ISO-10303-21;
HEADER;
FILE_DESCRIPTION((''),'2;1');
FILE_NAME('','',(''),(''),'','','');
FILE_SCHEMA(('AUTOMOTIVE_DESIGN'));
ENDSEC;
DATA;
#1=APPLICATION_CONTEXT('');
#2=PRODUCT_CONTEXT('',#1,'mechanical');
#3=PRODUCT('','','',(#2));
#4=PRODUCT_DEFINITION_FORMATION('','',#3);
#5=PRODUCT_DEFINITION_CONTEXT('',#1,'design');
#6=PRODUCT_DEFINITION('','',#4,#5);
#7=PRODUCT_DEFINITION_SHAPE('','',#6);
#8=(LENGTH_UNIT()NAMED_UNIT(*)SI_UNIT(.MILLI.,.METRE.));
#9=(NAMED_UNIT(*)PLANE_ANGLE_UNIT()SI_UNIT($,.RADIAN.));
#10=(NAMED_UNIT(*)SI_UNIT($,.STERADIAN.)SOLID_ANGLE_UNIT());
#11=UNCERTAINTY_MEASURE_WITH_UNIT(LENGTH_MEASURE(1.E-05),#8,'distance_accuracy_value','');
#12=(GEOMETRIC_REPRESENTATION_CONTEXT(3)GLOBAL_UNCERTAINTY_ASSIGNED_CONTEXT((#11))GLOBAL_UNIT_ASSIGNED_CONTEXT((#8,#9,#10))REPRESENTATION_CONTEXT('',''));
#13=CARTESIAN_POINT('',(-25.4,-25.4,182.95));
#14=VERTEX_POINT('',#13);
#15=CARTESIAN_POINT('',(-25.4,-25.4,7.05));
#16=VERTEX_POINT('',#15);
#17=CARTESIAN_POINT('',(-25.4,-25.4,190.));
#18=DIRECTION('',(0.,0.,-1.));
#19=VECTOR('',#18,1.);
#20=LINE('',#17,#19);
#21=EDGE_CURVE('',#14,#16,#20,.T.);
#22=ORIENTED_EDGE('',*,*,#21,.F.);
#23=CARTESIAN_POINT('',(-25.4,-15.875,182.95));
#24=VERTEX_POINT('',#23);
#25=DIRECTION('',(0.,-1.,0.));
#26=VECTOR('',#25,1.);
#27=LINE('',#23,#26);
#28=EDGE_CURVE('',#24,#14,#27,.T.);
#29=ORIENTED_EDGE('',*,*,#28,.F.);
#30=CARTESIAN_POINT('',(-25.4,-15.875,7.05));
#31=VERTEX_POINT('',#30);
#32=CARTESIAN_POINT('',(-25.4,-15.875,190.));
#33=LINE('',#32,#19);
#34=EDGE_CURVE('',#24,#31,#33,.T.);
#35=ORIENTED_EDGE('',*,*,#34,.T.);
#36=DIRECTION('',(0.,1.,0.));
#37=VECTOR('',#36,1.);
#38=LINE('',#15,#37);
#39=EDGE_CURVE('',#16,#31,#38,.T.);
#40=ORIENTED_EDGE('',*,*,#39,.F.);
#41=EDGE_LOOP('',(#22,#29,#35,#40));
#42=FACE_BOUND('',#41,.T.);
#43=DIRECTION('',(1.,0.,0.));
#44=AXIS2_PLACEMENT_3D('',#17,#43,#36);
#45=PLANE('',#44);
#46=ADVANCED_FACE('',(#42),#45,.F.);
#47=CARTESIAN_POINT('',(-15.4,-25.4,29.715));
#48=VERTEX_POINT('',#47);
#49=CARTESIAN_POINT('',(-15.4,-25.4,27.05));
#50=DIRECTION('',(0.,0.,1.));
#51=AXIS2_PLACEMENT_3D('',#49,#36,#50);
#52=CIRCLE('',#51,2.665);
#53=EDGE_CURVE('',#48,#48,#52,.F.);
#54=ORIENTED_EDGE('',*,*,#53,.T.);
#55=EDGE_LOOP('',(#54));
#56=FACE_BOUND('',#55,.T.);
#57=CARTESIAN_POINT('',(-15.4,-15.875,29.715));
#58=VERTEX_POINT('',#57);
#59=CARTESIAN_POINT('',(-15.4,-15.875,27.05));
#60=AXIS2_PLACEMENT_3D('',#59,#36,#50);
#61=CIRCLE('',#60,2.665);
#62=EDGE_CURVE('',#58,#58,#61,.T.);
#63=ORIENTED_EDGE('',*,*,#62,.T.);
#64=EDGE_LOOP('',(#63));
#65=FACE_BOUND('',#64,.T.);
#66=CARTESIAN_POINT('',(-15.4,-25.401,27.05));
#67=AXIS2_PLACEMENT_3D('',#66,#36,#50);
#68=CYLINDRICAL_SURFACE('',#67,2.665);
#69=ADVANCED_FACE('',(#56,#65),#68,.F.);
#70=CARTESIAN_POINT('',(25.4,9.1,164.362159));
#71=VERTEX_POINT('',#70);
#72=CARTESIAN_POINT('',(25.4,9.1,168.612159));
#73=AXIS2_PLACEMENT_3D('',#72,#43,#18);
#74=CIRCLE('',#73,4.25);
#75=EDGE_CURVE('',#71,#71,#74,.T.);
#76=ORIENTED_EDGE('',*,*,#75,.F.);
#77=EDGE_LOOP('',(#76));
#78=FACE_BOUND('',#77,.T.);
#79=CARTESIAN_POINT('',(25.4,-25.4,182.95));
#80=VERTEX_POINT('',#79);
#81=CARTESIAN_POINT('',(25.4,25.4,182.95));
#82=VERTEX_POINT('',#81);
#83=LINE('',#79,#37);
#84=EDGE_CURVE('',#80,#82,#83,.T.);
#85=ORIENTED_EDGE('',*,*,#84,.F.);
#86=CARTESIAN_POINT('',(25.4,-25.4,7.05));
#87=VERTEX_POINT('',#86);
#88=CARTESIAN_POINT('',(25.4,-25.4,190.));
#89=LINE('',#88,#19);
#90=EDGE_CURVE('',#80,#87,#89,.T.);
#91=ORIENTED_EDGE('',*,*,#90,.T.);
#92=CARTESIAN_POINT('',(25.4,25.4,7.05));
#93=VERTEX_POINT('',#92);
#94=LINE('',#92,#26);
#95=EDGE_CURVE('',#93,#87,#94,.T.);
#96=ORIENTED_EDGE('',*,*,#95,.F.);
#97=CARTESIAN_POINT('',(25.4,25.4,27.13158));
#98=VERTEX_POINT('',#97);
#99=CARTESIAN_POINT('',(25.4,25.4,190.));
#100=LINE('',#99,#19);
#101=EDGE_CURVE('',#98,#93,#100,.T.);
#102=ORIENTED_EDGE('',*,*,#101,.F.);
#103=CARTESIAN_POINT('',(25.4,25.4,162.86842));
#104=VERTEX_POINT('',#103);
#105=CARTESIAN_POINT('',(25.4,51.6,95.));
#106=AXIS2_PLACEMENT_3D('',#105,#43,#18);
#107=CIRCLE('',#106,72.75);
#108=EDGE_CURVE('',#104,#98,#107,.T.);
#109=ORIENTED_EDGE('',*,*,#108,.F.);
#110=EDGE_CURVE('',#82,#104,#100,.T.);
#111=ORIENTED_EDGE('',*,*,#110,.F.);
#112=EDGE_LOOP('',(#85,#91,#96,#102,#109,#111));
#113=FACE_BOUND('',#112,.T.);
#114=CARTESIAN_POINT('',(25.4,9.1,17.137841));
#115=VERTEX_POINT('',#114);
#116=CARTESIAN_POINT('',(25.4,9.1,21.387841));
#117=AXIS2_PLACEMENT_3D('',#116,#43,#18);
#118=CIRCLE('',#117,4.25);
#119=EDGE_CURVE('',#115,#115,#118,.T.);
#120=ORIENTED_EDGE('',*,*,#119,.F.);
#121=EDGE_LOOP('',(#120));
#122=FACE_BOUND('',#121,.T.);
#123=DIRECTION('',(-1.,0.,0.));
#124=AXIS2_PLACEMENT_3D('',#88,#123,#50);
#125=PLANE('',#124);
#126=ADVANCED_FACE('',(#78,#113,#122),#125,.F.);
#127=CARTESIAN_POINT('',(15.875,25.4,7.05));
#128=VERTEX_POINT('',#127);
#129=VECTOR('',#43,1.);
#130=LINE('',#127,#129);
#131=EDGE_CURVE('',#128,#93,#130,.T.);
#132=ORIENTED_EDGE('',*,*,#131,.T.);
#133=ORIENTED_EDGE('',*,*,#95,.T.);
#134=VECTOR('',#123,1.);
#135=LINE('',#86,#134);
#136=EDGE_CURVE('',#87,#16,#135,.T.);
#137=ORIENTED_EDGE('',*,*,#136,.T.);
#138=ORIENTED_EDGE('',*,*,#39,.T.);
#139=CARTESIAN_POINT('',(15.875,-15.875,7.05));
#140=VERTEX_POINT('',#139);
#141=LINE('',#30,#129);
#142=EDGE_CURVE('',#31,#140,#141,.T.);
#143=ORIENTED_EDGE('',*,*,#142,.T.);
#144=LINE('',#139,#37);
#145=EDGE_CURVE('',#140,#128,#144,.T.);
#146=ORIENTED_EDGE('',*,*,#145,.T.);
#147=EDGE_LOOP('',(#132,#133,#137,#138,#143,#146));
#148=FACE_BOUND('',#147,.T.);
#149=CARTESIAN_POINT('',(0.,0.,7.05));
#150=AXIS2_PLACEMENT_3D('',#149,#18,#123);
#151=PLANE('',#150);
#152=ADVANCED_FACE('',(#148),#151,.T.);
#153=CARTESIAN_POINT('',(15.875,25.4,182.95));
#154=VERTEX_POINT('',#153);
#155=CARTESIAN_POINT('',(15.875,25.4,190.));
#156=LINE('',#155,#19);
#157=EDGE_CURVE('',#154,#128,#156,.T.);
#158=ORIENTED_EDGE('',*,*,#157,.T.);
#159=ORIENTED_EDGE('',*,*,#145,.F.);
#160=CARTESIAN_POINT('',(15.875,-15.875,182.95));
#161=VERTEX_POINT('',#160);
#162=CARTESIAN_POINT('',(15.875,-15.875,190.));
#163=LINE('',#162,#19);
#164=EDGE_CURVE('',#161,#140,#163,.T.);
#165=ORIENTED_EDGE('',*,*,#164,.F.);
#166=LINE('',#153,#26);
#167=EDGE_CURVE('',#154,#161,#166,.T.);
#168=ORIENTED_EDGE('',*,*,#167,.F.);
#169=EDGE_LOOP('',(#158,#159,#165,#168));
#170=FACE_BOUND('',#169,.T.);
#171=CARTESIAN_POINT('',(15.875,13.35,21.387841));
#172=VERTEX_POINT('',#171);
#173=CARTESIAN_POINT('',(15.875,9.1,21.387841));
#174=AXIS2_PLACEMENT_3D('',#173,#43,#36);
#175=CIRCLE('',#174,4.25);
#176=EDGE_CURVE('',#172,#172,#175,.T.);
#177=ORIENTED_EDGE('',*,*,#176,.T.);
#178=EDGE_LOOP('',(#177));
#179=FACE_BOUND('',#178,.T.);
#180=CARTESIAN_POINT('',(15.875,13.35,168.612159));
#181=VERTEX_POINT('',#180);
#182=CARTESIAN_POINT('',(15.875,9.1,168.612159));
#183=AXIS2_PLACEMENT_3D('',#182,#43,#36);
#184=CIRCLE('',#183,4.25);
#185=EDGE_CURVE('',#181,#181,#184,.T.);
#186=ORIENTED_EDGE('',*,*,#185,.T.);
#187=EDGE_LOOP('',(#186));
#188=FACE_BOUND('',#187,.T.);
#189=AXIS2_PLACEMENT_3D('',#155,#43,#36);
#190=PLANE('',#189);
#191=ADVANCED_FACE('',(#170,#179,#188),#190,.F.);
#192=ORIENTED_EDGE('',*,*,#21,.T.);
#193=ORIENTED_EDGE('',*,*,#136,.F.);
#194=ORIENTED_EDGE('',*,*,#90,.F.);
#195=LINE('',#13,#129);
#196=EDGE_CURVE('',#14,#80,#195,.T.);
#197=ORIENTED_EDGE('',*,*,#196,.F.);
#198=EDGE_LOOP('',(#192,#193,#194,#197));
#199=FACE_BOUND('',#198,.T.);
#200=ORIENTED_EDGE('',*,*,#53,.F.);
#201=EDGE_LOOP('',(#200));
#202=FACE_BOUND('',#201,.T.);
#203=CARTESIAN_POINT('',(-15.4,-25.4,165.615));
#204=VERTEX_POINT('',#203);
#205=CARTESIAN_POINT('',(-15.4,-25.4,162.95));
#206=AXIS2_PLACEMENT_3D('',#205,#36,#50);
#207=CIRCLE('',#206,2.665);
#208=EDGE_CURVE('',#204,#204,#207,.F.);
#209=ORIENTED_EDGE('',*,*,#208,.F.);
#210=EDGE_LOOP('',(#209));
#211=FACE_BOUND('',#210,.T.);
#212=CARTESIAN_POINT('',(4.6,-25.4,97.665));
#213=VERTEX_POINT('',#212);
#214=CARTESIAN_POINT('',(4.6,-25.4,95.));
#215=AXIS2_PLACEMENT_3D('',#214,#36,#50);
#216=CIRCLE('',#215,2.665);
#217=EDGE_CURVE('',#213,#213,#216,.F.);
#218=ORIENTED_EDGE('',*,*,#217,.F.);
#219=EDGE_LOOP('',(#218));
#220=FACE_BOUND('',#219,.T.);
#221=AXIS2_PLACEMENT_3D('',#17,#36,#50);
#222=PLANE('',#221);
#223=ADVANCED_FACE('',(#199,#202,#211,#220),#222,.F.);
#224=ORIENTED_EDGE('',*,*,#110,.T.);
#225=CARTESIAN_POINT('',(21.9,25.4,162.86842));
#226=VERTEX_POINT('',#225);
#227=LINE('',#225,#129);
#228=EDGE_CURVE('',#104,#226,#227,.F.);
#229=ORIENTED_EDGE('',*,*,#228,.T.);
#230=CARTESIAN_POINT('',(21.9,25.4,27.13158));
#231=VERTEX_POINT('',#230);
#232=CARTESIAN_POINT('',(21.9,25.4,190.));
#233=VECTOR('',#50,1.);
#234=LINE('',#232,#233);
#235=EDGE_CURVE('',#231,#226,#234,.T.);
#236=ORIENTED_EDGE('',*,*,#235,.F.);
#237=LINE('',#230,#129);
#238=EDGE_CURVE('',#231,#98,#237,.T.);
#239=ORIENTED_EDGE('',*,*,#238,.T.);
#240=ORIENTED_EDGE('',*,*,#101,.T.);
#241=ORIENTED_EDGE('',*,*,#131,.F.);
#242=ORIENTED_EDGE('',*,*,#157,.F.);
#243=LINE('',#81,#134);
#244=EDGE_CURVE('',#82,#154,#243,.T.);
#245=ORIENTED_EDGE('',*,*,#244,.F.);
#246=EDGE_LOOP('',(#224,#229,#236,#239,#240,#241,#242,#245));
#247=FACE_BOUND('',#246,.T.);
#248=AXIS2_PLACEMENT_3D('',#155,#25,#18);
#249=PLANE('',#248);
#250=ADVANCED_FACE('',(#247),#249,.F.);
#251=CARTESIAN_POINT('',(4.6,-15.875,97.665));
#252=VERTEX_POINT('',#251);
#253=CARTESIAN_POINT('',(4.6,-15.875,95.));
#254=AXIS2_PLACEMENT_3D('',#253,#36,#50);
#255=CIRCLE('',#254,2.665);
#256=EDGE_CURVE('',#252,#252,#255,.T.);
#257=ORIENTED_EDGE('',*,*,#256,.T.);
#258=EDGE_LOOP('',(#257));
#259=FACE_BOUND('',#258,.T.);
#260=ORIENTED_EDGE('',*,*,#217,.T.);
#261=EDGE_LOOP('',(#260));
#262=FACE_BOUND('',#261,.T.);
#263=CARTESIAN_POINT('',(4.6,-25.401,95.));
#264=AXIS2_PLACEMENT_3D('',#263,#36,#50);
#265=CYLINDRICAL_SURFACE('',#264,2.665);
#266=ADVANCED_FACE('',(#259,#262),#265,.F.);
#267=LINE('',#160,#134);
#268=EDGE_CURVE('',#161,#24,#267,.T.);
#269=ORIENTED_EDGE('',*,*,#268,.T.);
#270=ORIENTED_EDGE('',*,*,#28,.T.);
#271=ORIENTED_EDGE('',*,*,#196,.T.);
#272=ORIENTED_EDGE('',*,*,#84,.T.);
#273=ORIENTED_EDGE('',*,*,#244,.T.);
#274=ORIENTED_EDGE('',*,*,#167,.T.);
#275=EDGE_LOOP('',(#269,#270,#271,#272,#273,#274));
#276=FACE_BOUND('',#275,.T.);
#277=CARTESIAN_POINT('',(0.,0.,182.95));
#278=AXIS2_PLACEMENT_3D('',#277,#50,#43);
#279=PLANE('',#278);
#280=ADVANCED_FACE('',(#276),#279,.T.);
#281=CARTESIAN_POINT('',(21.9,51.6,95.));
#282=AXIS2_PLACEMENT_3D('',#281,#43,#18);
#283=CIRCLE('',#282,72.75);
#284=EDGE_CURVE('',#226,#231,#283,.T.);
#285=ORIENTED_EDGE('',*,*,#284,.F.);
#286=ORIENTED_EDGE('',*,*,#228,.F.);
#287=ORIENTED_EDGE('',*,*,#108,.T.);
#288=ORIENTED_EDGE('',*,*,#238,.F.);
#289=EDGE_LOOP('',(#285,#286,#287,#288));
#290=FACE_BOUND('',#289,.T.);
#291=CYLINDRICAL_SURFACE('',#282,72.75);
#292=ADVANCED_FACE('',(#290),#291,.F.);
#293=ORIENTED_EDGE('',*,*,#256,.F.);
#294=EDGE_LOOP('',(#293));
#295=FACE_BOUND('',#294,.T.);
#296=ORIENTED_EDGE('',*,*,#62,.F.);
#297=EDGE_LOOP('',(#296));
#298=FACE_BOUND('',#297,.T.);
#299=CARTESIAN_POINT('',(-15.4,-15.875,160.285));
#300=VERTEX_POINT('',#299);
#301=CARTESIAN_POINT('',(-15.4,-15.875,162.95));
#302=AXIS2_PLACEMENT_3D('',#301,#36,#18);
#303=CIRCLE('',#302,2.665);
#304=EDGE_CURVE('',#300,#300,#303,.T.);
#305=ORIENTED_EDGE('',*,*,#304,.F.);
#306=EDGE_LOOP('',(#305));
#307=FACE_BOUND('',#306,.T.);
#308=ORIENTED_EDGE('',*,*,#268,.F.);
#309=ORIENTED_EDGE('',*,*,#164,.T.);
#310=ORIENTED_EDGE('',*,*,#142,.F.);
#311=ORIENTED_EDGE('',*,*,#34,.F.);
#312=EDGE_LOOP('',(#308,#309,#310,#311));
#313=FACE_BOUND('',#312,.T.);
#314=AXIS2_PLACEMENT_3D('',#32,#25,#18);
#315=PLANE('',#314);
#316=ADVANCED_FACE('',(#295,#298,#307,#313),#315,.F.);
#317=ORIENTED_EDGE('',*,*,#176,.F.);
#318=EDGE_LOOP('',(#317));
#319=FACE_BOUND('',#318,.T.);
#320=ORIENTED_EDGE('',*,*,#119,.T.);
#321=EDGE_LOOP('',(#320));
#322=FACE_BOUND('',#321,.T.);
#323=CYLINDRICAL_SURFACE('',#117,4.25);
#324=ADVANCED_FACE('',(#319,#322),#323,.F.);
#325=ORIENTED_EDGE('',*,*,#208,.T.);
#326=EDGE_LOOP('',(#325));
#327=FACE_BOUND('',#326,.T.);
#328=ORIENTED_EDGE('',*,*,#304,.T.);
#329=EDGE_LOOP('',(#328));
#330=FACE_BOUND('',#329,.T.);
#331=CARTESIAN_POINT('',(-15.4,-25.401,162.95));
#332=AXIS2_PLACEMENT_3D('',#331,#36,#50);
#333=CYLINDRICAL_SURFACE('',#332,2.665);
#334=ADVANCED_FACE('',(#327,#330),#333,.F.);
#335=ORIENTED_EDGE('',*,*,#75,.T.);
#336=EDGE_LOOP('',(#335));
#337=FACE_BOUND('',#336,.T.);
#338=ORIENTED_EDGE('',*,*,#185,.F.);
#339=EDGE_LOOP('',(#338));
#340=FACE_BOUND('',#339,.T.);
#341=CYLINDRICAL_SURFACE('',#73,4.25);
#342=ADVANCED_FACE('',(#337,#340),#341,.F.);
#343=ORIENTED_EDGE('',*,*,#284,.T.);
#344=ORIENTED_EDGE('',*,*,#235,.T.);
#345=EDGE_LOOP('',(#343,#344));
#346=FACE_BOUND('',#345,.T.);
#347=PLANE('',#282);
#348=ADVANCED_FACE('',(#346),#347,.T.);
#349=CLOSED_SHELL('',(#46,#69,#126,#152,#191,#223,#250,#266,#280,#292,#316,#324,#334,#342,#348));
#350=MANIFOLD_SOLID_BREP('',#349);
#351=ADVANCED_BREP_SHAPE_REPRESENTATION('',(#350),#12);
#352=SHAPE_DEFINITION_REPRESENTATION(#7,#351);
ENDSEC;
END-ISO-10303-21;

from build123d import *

# Parameters (mm, degrees)
BOSS_EXTRUDE1_DEPTH          = 190
SKETCH3_R                    = 72.75
CUT_EXTRUDE3_DEPTH           = 3.5
CUT_EXTRUDE4_DEPTH           = 7.05
CUT_EXTRUDE5_DEPTH           = 7.05
TAP_DRILL_FOR_M10X1_5_TAP1_D = 8.5
CUT_EXTRUDE6_REACH           = 191.26
SKETCH8_R                    = 2.665


with BuildPart() as part:
    # Sketch1 → Boss-Extrude1 (new body)
    with BuildSketch(Plane.XY):
        Polygon((-25.4, -25.4), (25.4, -25.4), (25.4, 25.4), (15.875, 25.4), (15.875, -15.875), (-25.4, -15.875), align=None)
    extrude(amount=BOSS_EXTRUDE1_DEPTH)

    # Sketch3 → Cut-Extrude3 (cut)
    with BuildSketch(Plane(origin=(25.4, 0, 0), x_dir=(0, 0, -1), z_dir=(1, 0, 0))):
        with Locations((-95, 51.6)):
            Circle(SKETCH3_R)
    extrude(amount=-CUT_EXTRUDE3_DEPTH, mode=Mode.SUBTRACT)

    # Sketch4 → Cut-Extrude4 (cut)
    with BuildSketch(Plane.XY.offset(190)):
        Polygon((25.4, -25.4), (25.4, 25.4), (15.875, 25.4), (15.875, -15.875), (-25.4, -15.875), (-25.4, -25.4), align=None)
    extrude(amount=-CUT_EXTRUDE4_DEPTH, mode=Mode.SUBTRACT)

    # Sketch5 → Cut-Extrude5 (cut)
    with BuildSketch(Plane(origin=(0, 0, 0), x_dir=(-1, 0, 0), z_dir=(0, 0, -1))):
        Polygon((-25.4, 25.4), (-25.4, -25.4), (25.4, -25.4), (25.4, -15.875), (-15.875, -15.875), (-15.875, 25.4), align=None)
    extrude(amount=-CUT_EXTRUDE5_DEPTH, mode=Mode.SUBTRACT)

    # Tap Drill for M10x1.5 Tap1 (through all)
    with Locations(Plane(origin=(25.4, 9.1, 168.612159322), x_dir=(0, 0, 1), z_dir=(1, 0, 0))):
        with Locations((0, 0), (-147.224318644, 0)):
            Hole(TAP_DRILL_FOR_M10X1_5_TAP1_D / 2)

    # Sketch8 → Cut-Extrude6 (cut, up to next)
    with BuildSketch(Plane(origin=(0, -15.875, 0), x_dir=(1, 0, 0), z_dir=(0, 1, 0)), mode=Mode.PRIVATE) as cut_extrude6_sk1:
        with Locations(Location((-15.4, -27.05, 0), (0, 0, 270))):
            Circle(SKETCH8_R)
    cut_extrude6_tool1 = extrude(cut_extrude6_sk1.sketch, amount=-CUT_EXTRUDE6_REACH, mode=Mode.PRIVATE) & part.part
    # Sketch8 → Cut-Extrude6 (cut, up to next)
    with BuildSketch(Plane(origin=(0, -15.875, 0), x_dir=(1, 0, 0), z_dir=(0, 1, 0)), mode=Mode.PRIVATE) as cut_extrude6_sk2:
        with Locations(Location((4.6, -95, 0), (0, 0, 270))):
            Circle(SKETCH8_R)
    cut_extrude6_tool2 = extrude(cut_extrude6_sk2.sketch, amount=-CUT_EXTRUDE6_REACH, mode=Mode.PRIVATE) & part.part
    # Sketch8 → Cut-Extrude6 (cut, up to next)
    with BuildSketch(Plane(origin=(0, -15.875, 0), x_dir=(1, 0, 0), z_dir=(0, 1, 0)), mode=Mode.PRIVATE) as cut_extrude6_sk3:
        with Locations(Location((-15.4, -162.95, 0), (0, 0, 270))):
            Circle(SKETCH8_R)
    cut_extrude6_tool3 = extrude(cut_extrude6_sk3.sketch, amount=-CUT_EXTRUDE6_REACH, mode=Mode.PRIVATE) & part.part
    add(cut_extrude6_tool1.solids().sort_by_distance((-15.4, -15.875, 27.05))[0], mode=Mode.SUBTRACT)
    add(cut_extrude6_tool2.solids().sort_by_distance((4.6, -15.875, 95))[0], mode=Mode.SUBTRACT)
    add(cut_extrude6_tool3.solids().sort_by_distance((-15.4, -15.875, 162.95))[0], mode=Mode.SUBTRACT)


solid = part.part
